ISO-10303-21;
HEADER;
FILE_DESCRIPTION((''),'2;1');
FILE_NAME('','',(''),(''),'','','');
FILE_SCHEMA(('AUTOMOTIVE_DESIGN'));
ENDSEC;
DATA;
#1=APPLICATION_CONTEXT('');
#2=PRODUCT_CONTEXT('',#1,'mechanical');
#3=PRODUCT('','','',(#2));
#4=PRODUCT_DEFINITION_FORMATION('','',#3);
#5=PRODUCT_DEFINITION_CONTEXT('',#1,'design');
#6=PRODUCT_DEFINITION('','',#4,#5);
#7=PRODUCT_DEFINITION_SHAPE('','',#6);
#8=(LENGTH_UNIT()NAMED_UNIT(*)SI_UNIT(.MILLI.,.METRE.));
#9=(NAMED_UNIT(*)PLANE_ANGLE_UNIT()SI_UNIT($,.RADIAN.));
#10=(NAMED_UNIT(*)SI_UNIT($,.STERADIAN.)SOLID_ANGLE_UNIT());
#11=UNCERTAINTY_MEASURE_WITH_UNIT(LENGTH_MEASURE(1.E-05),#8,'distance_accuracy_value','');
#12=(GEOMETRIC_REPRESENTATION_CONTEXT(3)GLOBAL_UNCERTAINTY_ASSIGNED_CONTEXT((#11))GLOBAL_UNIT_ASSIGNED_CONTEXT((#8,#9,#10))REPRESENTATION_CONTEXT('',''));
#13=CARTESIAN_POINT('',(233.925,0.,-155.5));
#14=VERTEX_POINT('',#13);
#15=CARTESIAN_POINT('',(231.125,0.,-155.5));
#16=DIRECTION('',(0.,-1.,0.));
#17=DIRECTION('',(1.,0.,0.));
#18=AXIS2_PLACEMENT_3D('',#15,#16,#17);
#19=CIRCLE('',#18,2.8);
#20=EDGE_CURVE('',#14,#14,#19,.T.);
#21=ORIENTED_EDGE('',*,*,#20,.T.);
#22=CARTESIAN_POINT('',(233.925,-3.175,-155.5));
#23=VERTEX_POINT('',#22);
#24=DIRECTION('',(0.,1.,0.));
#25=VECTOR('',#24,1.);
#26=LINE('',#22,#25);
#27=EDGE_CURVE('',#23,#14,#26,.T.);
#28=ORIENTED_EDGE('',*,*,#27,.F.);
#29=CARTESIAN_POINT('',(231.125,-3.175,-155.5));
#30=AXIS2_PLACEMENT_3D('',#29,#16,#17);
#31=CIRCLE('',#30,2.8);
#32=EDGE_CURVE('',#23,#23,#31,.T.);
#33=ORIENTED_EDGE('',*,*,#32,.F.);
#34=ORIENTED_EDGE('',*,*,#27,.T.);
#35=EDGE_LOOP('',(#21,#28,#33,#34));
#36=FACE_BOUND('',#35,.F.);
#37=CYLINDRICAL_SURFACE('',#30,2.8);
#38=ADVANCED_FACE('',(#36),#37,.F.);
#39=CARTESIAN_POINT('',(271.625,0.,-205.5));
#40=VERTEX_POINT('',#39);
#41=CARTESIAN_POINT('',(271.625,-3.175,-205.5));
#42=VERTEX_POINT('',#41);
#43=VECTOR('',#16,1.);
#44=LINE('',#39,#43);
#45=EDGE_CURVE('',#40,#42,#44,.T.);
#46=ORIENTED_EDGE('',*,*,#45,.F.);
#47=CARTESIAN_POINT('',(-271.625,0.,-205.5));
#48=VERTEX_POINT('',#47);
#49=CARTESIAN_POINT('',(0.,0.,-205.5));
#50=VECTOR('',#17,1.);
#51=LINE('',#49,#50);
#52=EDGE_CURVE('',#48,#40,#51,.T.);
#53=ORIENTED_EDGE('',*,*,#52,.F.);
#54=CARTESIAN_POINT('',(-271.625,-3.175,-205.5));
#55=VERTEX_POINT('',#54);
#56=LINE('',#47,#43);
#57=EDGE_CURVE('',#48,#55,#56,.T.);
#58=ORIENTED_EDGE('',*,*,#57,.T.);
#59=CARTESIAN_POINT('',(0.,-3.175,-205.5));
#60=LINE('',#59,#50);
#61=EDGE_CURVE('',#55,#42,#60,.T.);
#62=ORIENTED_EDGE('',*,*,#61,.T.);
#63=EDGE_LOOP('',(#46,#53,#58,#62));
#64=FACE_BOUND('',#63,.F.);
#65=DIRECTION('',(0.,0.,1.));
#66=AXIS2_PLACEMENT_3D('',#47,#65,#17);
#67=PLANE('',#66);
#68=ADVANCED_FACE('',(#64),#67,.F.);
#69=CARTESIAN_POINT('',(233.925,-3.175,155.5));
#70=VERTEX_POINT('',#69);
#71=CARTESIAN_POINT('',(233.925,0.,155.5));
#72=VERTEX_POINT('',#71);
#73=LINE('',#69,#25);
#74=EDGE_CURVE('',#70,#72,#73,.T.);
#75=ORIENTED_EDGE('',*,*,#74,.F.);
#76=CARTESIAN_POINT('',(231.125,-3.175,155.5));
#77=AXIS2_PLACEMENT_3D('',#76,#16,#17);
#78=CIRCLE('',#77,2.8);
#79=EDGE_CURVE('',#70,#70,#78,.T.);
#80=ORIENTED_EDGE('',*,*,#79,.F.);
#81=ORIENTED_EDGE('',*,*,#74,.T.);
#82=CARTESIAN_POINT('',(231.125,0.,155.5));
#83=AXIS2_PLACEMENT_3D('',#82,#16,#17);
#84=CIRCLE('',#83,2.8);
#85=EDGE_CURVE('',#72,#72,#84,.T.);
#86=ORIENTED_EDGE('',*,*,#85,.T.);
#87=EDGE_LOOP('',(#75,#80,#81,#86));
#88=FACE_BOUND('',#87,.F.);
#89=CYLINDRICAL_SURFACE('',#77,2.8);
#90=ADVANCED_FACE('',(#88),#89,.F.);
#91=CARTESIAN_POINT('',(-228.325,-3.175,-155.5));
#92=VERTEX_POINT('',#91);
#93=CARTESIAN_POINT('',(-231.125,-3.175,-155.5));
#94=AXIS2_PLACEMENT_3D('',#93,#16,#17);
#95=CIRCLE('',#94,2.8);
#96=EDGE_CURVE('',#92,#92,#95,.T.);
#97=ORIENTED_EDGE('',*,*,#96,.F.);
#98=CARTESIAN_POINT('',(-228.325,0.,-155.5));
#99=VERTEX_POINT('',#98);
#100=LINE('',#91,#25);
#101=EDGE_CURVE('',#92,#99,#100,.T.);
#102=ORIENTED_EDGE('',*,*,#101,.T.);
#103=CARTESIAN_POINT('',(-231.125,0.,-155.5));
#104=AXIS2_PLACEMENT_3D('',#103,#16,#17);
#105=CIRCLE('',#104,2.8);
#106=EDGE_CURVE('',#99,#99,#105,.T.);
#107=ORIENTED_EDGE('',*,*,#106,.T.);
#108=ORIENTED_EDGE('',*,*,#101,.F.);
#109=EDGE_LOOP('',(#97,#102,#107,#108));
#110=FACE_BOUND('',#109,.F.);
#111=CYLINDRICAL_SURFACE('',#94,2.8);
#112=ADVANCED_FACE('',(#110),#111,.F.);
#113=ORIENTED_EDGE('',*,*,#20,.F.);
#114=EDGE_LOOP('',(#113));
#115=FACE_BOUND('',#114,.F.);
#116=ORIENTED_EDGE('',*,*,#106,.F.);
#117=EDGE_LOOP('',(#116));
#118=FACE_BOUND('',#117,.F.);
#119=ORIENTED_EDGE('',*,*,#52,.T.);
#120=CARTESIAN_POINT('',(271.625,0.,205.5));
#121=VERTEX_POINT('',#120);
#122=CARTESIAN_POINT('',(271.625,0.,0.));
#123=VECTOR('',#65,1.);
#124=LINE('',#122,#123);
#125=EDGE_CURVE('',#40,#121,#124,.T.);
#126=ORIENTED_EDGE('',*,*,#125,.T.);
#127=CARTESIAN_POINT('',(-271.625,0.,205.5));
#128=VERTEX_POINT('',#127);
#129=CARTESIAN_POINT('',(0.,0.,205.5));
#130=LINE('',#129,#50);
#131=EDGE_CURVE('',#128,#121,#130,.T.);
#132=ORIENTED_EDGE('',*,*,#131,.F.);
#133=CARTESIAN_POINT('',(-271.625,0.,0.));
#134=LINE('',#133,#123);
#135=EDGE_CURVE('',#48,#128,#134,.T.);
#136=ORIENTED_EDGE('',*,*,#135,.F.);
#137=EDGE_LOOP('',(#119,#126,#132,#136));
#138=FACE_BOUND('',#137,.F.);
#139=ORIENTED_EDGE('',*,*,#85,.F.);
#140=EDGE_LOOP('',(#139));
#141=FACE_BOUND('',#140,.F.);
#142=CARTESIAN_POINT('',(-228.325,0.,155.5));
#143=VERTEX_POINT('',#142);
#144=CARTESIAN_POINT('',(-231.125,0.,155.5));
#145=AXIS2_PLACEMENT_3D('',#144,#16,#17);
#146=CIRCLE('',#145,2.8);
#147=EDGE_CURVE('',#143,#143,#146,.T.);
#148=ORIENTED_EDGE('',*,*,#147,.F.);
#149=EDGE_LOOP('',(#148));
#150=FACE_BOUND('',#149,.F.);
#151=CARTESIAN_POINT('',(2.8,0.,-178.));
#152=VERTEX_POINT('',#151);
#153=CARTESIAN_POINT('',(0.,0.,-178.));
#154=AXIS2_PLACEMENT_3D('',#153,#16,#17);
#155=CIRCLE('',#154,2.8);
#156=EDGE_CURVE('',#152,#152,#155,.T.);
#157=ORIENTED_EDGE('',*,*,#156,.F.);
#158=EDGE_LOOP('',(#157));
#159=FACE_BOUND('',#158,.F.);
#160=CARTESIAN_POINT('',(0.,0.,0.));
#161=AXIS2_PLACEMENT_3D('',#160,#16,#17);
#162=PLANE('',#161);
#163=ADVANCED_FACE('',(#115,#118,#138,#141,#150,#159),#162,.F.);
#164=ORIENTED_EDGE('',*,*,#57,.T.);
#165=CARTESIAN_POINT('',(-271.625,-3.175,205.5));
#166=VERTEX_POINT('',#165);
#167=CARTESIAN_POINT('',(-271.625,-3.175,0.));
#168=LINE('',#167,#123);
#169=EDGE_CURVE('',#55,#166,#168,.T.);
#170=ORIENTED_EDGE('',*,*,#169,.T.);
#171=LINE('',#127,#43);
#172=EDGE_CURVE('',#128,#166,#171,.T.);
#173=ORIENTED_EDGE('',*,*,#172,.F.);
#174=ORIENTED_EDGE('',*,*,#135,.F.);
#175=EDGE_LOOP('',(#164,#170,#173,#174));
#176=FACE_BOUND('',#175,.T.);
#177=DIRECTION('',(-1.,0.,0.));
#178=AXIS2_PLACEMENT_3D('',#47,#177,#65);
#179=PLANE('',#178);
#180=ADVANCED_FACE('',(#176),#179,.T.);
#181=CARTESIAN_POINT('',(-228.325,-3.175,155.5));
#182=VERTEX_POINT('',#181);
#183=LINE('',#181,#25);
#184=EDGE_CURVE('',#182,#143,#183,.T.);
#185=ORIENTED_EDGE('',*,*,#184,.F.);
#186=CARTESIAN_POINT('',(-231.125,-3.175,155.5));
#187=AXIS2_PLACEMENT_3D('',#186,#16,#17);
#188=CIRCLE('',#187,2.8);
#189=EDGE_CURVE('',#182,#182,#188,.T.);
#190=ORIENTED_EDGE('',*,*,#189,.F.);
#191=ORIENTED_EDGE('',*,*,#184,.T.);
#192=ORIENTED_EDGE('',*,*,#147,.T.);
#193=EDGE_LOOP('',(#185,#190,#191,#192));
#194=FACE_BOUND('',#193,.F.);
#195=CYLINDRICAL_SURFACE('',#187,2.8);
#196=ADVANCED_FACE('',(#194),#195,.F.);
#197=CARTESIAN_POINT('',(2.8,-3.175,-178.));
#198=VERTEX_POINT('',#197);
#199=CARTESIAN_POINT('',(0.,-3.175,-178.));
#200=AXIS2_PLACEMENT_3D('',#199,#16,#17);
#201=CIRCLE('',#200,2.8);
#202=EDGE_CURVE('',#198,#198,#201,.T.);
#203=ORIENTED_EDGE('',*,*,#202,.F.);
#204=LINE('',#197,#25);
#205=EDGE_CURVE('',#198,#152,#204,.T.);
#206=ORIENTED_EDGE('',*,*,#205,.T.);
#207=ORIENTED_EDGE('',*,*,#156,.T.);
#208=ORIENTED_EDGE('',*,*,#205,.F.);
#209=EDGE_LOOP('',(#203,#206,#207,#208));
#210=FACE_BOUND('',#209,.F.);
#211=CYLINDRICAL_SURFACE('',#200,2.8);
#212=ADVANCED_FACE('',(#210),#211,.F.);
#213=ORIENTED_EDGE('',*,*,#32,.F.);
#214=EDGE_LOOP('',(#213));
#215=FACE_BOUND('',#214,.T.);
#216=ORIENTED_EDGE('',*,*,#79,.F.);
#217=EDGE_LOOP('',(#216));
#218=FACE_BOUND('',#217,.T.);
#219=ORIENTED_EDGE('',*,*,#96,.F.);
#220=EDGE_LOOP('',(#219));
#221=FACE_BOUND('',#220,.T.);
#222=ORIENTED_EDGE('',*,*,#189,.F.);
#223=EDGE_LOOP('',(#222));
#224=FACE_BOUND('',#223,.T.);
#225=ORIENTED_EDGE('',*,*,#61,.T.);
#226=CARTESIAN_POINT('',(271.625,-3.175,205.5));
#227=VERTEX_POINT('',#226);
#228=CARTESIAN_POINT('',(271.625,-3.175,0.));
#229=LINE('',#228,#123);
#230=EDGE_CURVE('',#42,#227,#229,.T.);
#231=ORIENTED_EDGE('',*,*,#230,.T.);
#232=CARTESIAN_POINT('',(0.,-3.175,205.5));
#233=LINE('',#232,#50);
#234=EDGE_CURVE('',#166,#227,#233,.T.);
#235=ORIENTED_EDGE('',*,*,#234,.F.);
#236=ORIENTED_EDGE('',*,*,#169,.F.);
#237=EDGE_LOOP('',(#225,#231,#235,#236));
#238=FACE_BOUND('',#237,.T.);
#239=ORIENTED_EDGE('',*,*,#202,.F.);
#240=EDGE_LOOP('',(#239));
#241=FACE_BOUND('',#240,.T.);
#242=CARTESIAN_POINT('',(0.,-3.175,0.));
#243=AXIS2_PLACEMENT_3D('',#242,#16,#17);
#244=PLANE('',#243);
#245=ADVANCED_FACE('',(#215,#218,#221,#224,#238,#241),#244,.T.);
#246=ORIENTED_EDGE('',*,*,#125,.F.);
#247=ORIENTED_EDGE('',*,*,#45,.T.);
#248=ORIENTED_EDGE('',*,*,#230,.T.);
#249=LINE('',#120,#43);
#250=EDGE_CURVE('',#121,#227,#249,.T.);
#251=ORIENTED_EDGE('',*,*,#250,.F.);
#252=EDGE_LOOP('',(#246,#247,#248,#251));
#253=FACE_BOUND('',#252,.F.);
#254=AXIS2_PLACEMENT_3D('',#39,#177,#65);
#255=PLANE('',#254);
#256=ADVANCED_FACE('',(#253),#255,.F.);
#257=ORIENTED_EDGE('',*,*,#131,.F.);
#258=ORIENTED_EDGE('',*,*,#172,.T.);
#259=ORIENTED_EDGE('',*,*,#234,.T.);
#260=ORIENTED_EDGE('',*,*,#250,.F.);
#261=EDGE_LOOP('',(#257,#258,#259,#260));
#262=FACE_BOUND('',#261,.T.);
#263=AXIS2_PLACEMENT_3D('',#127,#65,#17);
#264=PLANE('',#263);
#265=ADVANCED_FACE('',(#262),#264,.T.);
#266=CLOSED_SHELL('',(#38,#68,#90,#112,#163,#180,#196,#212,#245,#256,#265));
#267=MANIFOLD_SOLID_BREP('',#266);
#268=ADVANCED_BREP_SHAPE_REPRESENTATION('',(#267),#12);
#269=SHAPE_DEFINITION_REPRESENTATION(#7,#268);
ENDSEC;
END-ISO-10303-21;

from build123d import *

# Parameters (mm, degrees)
F0_W     = 543.25
F0_H     = 411
F1_DEPTH = 3.175
F2_R     = 2.8
F3_DEPTH = 25


with BuildPart() as f1:
    # F0 (on Front) → F1 (new body)
    with BuildSketch(Plane.XZ):
        Rectangle(F0_W, F0_H)
    extrude(amount=F1_DEPTH)

    # F2 (on face) → F3 (cut)
    with BuildSketch(Plane.XZ.offset(3.175)):
        with Locations((-231.125, 155.5)):
            Circle(F2_R)
        with Locations((-231.125, -155.5)):
            Circle(F2_R)
        with Locations((0, -178)):
            Circle(F2_R)
        with Locations((231.125, -155.5)):
            Circle(F2_R)
        with Locations((231.125, 155.5)):
            Circle(F2_R)
    extrude(amount=-F3_DEPTH, mode=Mode.SUBTRACT)


solid = f1.part
